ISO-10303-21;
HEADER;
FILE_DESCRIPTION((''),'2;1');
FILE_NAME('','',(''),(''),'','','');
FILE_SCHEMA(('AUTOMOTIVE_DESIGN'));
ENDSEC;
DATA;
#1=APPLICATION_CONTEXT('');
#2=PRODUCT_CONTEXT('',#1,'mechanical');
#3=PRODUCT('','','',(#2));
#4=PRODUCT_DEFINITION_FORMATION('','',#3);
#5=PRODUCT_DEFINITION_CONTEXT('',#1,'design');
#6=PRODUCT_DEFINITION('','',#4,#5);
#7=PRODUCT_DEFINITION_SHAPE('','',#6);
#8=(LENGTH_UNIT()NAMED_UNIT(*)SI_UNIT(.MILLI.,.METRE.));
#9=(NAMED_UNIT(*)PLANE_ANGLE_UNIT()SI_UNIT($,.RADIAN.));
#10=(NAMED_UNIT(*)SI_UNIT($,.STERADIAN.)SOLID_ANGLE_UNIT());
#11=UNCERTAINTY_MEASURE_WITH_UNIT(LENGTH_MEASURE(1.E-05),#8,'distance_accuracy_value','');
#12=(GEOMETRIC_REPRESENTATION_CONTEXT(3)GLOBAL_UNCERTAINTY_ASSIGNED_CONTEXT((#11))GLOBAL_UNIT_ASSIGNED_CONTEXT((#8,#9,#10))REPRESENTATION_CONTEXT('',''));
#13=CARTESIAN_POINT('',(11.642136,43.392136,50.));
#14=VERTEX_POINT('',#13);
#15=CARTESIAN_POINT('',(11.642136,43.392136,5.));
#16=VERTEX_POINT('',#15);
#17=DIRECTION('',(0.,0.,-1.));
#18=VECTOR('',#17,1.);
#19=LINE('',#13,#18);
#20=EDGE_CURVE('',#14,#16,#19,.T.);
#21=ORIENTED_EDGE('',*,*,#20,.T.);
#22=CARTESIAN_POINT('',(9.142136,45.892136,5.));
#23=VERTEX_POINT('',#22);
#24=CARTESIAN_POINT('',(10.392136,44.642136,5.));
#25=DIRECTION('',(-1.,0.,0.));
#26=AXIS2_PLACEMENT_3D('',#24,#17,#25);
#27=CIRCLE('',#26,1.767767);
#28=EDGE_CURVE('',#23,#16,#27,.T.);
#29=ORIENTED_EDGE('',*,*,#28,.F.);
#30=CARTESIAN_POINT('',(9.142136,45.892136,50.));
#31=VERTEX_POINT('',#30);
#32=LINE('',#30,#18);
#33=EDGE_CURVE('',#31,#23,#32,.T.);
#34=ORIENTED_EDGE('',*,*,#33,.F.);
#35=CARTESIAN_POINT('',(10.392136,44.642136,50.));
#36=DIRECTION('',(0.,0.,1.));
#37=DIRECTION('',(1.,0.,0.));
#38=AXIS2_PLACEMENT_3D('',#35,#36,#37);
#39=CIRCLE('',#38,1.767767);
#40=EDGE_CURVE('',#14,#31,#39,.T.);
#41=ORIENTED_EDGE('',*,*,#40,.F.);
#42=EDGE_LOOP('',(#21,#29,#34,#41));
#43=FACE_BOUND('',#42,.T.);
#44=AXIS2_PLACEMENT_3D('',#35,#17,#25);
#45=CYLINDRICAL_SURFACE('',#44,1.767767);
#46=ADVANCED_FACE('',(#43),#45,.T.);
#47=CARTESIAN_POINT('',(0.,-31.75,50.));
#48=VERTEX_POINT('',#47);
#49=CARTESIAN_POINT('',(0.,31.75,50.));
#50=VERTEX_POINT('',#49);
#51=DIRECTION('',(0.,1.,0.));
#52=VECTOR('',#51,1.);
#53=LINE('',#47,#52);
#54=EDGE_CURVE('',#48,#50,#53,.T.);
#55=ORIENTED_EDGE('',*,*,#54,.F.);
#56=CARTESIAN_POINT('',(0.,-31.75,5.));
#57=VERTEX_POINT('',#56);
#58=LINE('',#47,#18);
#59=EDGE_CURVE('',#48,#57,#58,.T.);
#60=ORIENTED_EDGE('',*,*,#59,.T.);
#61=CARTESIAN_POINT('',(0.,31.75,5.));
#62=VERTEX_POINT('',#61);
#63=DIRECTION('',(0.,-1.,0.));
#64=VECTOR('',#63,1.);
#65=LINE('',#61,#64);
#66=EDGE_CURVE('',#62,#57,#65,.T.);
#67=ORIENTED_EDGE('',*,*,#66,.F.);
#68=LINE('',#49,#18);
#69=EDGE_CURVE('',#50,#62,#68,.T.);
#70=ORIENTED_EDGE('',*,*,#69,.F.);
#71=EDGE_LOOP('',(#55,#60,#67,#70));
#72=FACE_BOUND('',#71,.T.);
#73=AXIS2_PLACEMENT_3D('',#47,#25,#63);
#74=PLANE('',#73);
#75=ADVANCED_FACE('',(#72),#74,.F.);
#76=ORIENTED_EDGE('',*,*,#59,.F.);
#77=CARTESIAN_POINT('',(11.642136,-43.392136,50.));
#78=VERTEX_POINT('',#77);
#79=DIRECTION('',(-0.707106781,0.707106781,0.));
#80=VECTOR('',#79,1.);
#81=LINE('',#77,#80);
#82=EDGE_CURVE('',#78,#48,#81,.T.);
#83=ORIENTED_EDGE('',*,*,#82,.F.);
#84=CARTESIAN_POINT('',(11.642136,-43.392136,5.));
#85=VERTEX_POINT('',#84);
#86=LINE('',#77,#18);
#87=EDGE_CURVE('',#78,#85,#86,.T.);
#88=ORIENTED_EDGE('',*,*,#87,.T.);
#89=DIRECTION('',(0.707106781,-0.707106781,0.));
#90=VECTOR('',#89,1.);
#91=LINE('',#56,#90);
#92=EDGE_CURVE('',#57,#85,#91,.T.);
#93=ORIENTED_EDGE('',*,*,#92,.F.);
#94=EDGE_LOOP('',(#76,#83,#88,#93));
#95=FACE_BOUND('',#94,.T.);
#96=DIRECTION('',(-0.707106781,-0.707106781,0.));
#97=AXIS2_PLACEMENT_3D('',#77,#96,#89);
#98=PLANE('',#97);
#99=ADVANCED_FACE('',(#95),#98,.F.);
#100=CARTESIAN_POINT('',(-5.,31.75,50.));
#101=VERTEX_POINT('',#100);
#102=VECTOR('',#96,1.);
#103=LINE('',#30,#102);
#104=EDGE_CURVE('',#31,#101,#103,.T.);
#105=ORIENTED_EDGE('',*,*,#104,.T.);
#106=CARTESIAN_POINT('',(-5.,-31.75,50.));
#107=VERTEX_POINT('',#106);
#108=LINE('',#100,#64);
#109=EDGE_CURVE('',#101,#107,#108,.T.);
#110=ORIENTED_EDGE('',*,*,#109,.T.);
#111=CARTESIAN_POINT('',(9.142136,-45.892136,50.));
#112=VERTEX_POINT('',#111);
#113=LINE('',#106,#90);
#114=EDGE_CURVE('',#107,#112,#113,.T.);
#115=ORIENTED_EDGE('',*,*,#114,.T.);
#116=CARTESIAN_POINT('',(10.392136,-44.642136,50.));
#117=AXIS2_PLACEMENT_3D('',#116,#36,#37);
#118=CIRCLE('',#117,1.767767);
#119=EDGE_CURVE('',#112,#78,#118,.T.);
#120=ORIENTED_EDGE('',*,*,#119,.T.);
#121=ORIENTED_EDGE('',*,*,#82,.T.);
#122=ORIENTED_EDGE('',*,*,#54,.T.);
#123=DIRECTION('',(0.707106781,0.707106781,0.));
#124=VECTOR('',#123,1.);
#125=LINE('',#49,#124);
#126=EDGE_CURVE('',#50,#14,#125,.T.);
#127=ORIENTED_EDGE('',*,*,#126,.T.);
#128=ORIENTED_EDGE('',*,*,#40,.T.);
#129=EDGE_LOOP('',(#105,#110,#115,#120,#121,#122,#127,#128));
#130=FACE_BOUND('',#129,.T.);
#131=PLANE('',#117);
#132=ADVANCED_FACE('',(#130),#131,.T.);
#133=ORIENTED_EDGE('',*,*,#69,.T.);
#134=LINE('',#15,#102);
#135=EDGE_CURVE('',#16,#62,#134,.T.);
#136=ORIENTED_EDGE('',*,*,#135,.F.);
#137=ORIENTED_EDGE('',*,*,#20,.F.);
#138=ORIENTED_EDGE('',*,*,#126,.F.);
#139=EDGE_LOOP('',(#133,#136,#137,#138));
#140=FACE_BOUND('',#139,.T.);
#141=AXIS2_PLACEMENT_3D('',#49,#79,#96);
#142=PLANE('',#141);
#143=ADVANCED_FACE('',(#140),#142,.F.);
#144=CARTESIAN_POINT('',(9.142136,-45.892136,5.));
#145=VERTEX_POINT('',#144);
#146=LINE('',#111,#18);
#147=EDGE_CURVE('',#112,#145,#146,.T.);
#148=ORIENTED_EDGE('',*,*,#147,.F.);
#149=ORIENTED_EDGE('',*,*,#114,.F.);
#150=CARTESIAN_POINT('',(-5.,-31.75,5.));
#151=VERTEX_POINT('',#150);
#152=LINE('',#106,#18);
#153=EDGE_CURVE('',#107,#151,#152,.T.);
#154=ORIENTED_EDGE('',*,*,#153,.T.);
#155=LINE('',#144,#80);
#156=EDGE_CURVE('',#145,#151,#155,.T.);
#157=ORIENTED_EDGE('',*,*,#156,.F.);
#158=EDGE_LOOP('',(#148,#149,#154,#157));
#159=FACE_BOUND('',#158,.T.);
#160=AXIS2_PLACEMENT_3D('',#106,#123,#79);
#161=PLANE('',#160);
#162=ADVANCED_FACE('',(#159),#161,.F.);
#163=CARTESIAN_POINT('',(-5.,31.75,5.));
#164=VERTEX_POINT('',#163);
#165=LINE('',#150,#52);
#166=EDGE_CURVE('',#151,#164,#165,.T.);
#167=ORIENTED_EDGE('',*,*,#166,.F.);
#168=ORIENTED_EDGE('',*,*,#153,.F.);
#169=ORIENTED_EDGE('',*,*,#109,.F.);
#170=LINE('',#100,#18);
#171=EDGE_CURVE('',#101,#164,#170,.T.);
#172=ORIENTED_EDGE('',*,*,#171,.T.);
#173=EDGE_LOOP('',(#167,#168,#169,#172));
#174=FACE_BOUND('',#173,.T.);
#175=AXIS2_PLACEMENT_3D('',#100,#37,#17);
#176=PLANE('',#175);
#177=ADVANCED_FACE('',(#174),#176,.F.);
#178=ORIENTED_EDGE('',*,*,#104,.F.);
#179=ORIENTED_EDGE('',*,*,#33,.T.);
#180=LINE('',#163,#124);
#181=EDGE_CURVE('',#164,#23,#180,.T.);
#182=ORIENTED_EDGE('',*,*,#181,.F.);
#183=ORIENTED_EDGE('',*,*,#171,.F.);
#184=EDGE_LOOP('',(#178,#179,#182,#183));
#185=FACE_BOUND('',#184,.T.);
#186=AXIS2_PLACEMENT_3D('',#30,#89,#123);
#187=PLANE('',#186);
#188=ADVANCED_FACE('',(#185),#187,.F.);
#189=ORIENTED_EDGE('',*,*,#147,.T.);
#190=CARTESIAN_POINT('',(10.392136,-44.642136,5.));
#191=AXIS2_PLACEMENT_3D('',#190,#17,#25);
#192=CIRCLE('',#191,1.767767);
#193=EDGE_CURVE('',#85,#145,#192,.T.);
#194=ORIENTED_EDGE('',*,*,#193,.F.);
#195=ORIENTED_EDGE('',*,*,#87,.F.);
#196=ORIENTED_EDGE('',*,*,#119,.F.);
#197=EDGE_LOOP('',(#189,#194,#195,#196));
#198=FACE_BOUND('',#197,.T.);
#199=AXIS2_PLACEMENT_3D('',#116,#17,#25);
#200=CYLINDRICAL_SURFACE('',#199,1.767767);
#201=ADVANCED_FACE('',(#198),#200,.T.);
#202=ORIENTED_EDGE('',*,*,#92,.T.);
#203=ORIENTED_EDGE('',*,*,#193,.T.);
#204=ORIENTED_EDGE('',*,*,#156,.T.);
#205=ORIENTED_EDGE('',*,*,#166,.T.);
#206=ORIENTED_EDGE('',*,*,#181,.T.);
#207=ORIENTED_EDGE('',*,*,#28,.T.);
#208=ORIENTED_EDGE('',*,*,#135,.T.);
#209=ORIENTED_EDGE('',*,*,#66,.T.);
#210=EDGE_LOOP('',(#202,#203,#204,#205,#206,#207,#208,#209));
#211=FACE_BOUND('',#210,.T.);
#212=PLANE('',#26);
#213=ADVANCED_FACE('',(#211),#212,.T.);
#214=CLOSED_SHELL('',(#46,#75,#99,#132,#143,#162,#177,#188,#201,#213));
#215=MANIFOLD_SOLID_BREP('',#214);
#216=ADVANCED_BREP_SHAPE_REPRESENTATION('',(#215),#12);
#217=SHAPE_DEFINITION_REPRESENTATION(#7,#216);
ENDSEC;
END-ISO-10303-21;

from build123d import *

# Parameters (mm, degrees)
SALIENTE_EXTRUIR1_DEPTH = 50
CORTAR_EXTRUIR3_DEPTH   = 5


with BuildPart() as part:
    # Croquis1 → Saliente-Extruir1 (new body)
    with BuildSketch(Plane.XY):
        with BuildLine():
            Line((-5, 31.75), (-5, -31.75))
            Line((-5, -31.75), (9.142135624, -45.892135624))
            ThreePointArc((9.142135624, -45.892135624), (11.642135624, -45.892135624), (11.642135624, -43.392135624))
            Line((11.642135624, -43.392135624), (0, -31.75))
            Line((0, -31.75), (0, 31.75))
            Line((0, 31.75), (11.642135624, 43.392135624))
            ThreePointArc((11.642135624, 43.392135624), (11.642135624, 45.892135624), (9.142135624, 45.892135624))
            Line((9.142135624, 45.892135624), (-5, 31.75))
        make_face()
    extrude(amount=SALIENTE_EXTRUIR1_DEPTH)

    # Croquis4 → Cortar-Extruir3 (cut)
    with BuildSketch(Plane(origin=(0, 0, 0), x_dir=(-1, 0, 0), z_dir=(0, 0, -1))):
        with BuildLine():
            Line((5, 31.75), (-9.142135624, 45.892135624))
            ThreePointArc((-9.142135624, 45.892135624), (-11.642135624, 45.892135624), (-11.642135624, 43.392135624))
            Line((-11.642135624, 43.392135624), (0, 31.75))
            Line((0, 31.75), (0, -31.75))
            Line((0, -31.75), (-11.642135624, -43.392135624))
            ThreePointArc((-11.642135624, -43.392135624), (-11.642135624, -45.892135624), (-9.142135624, -45.892135624))
            Line((-9.142135624, -45.892135624), (5, -31.75))
            Line((5, -31.75), (5, 31.75))
        make_face()
    extrude(amount=-CORTAR_EXTRUIR3_DEPTH, mode=Mode.SUBTRACT)


solid = part.part
